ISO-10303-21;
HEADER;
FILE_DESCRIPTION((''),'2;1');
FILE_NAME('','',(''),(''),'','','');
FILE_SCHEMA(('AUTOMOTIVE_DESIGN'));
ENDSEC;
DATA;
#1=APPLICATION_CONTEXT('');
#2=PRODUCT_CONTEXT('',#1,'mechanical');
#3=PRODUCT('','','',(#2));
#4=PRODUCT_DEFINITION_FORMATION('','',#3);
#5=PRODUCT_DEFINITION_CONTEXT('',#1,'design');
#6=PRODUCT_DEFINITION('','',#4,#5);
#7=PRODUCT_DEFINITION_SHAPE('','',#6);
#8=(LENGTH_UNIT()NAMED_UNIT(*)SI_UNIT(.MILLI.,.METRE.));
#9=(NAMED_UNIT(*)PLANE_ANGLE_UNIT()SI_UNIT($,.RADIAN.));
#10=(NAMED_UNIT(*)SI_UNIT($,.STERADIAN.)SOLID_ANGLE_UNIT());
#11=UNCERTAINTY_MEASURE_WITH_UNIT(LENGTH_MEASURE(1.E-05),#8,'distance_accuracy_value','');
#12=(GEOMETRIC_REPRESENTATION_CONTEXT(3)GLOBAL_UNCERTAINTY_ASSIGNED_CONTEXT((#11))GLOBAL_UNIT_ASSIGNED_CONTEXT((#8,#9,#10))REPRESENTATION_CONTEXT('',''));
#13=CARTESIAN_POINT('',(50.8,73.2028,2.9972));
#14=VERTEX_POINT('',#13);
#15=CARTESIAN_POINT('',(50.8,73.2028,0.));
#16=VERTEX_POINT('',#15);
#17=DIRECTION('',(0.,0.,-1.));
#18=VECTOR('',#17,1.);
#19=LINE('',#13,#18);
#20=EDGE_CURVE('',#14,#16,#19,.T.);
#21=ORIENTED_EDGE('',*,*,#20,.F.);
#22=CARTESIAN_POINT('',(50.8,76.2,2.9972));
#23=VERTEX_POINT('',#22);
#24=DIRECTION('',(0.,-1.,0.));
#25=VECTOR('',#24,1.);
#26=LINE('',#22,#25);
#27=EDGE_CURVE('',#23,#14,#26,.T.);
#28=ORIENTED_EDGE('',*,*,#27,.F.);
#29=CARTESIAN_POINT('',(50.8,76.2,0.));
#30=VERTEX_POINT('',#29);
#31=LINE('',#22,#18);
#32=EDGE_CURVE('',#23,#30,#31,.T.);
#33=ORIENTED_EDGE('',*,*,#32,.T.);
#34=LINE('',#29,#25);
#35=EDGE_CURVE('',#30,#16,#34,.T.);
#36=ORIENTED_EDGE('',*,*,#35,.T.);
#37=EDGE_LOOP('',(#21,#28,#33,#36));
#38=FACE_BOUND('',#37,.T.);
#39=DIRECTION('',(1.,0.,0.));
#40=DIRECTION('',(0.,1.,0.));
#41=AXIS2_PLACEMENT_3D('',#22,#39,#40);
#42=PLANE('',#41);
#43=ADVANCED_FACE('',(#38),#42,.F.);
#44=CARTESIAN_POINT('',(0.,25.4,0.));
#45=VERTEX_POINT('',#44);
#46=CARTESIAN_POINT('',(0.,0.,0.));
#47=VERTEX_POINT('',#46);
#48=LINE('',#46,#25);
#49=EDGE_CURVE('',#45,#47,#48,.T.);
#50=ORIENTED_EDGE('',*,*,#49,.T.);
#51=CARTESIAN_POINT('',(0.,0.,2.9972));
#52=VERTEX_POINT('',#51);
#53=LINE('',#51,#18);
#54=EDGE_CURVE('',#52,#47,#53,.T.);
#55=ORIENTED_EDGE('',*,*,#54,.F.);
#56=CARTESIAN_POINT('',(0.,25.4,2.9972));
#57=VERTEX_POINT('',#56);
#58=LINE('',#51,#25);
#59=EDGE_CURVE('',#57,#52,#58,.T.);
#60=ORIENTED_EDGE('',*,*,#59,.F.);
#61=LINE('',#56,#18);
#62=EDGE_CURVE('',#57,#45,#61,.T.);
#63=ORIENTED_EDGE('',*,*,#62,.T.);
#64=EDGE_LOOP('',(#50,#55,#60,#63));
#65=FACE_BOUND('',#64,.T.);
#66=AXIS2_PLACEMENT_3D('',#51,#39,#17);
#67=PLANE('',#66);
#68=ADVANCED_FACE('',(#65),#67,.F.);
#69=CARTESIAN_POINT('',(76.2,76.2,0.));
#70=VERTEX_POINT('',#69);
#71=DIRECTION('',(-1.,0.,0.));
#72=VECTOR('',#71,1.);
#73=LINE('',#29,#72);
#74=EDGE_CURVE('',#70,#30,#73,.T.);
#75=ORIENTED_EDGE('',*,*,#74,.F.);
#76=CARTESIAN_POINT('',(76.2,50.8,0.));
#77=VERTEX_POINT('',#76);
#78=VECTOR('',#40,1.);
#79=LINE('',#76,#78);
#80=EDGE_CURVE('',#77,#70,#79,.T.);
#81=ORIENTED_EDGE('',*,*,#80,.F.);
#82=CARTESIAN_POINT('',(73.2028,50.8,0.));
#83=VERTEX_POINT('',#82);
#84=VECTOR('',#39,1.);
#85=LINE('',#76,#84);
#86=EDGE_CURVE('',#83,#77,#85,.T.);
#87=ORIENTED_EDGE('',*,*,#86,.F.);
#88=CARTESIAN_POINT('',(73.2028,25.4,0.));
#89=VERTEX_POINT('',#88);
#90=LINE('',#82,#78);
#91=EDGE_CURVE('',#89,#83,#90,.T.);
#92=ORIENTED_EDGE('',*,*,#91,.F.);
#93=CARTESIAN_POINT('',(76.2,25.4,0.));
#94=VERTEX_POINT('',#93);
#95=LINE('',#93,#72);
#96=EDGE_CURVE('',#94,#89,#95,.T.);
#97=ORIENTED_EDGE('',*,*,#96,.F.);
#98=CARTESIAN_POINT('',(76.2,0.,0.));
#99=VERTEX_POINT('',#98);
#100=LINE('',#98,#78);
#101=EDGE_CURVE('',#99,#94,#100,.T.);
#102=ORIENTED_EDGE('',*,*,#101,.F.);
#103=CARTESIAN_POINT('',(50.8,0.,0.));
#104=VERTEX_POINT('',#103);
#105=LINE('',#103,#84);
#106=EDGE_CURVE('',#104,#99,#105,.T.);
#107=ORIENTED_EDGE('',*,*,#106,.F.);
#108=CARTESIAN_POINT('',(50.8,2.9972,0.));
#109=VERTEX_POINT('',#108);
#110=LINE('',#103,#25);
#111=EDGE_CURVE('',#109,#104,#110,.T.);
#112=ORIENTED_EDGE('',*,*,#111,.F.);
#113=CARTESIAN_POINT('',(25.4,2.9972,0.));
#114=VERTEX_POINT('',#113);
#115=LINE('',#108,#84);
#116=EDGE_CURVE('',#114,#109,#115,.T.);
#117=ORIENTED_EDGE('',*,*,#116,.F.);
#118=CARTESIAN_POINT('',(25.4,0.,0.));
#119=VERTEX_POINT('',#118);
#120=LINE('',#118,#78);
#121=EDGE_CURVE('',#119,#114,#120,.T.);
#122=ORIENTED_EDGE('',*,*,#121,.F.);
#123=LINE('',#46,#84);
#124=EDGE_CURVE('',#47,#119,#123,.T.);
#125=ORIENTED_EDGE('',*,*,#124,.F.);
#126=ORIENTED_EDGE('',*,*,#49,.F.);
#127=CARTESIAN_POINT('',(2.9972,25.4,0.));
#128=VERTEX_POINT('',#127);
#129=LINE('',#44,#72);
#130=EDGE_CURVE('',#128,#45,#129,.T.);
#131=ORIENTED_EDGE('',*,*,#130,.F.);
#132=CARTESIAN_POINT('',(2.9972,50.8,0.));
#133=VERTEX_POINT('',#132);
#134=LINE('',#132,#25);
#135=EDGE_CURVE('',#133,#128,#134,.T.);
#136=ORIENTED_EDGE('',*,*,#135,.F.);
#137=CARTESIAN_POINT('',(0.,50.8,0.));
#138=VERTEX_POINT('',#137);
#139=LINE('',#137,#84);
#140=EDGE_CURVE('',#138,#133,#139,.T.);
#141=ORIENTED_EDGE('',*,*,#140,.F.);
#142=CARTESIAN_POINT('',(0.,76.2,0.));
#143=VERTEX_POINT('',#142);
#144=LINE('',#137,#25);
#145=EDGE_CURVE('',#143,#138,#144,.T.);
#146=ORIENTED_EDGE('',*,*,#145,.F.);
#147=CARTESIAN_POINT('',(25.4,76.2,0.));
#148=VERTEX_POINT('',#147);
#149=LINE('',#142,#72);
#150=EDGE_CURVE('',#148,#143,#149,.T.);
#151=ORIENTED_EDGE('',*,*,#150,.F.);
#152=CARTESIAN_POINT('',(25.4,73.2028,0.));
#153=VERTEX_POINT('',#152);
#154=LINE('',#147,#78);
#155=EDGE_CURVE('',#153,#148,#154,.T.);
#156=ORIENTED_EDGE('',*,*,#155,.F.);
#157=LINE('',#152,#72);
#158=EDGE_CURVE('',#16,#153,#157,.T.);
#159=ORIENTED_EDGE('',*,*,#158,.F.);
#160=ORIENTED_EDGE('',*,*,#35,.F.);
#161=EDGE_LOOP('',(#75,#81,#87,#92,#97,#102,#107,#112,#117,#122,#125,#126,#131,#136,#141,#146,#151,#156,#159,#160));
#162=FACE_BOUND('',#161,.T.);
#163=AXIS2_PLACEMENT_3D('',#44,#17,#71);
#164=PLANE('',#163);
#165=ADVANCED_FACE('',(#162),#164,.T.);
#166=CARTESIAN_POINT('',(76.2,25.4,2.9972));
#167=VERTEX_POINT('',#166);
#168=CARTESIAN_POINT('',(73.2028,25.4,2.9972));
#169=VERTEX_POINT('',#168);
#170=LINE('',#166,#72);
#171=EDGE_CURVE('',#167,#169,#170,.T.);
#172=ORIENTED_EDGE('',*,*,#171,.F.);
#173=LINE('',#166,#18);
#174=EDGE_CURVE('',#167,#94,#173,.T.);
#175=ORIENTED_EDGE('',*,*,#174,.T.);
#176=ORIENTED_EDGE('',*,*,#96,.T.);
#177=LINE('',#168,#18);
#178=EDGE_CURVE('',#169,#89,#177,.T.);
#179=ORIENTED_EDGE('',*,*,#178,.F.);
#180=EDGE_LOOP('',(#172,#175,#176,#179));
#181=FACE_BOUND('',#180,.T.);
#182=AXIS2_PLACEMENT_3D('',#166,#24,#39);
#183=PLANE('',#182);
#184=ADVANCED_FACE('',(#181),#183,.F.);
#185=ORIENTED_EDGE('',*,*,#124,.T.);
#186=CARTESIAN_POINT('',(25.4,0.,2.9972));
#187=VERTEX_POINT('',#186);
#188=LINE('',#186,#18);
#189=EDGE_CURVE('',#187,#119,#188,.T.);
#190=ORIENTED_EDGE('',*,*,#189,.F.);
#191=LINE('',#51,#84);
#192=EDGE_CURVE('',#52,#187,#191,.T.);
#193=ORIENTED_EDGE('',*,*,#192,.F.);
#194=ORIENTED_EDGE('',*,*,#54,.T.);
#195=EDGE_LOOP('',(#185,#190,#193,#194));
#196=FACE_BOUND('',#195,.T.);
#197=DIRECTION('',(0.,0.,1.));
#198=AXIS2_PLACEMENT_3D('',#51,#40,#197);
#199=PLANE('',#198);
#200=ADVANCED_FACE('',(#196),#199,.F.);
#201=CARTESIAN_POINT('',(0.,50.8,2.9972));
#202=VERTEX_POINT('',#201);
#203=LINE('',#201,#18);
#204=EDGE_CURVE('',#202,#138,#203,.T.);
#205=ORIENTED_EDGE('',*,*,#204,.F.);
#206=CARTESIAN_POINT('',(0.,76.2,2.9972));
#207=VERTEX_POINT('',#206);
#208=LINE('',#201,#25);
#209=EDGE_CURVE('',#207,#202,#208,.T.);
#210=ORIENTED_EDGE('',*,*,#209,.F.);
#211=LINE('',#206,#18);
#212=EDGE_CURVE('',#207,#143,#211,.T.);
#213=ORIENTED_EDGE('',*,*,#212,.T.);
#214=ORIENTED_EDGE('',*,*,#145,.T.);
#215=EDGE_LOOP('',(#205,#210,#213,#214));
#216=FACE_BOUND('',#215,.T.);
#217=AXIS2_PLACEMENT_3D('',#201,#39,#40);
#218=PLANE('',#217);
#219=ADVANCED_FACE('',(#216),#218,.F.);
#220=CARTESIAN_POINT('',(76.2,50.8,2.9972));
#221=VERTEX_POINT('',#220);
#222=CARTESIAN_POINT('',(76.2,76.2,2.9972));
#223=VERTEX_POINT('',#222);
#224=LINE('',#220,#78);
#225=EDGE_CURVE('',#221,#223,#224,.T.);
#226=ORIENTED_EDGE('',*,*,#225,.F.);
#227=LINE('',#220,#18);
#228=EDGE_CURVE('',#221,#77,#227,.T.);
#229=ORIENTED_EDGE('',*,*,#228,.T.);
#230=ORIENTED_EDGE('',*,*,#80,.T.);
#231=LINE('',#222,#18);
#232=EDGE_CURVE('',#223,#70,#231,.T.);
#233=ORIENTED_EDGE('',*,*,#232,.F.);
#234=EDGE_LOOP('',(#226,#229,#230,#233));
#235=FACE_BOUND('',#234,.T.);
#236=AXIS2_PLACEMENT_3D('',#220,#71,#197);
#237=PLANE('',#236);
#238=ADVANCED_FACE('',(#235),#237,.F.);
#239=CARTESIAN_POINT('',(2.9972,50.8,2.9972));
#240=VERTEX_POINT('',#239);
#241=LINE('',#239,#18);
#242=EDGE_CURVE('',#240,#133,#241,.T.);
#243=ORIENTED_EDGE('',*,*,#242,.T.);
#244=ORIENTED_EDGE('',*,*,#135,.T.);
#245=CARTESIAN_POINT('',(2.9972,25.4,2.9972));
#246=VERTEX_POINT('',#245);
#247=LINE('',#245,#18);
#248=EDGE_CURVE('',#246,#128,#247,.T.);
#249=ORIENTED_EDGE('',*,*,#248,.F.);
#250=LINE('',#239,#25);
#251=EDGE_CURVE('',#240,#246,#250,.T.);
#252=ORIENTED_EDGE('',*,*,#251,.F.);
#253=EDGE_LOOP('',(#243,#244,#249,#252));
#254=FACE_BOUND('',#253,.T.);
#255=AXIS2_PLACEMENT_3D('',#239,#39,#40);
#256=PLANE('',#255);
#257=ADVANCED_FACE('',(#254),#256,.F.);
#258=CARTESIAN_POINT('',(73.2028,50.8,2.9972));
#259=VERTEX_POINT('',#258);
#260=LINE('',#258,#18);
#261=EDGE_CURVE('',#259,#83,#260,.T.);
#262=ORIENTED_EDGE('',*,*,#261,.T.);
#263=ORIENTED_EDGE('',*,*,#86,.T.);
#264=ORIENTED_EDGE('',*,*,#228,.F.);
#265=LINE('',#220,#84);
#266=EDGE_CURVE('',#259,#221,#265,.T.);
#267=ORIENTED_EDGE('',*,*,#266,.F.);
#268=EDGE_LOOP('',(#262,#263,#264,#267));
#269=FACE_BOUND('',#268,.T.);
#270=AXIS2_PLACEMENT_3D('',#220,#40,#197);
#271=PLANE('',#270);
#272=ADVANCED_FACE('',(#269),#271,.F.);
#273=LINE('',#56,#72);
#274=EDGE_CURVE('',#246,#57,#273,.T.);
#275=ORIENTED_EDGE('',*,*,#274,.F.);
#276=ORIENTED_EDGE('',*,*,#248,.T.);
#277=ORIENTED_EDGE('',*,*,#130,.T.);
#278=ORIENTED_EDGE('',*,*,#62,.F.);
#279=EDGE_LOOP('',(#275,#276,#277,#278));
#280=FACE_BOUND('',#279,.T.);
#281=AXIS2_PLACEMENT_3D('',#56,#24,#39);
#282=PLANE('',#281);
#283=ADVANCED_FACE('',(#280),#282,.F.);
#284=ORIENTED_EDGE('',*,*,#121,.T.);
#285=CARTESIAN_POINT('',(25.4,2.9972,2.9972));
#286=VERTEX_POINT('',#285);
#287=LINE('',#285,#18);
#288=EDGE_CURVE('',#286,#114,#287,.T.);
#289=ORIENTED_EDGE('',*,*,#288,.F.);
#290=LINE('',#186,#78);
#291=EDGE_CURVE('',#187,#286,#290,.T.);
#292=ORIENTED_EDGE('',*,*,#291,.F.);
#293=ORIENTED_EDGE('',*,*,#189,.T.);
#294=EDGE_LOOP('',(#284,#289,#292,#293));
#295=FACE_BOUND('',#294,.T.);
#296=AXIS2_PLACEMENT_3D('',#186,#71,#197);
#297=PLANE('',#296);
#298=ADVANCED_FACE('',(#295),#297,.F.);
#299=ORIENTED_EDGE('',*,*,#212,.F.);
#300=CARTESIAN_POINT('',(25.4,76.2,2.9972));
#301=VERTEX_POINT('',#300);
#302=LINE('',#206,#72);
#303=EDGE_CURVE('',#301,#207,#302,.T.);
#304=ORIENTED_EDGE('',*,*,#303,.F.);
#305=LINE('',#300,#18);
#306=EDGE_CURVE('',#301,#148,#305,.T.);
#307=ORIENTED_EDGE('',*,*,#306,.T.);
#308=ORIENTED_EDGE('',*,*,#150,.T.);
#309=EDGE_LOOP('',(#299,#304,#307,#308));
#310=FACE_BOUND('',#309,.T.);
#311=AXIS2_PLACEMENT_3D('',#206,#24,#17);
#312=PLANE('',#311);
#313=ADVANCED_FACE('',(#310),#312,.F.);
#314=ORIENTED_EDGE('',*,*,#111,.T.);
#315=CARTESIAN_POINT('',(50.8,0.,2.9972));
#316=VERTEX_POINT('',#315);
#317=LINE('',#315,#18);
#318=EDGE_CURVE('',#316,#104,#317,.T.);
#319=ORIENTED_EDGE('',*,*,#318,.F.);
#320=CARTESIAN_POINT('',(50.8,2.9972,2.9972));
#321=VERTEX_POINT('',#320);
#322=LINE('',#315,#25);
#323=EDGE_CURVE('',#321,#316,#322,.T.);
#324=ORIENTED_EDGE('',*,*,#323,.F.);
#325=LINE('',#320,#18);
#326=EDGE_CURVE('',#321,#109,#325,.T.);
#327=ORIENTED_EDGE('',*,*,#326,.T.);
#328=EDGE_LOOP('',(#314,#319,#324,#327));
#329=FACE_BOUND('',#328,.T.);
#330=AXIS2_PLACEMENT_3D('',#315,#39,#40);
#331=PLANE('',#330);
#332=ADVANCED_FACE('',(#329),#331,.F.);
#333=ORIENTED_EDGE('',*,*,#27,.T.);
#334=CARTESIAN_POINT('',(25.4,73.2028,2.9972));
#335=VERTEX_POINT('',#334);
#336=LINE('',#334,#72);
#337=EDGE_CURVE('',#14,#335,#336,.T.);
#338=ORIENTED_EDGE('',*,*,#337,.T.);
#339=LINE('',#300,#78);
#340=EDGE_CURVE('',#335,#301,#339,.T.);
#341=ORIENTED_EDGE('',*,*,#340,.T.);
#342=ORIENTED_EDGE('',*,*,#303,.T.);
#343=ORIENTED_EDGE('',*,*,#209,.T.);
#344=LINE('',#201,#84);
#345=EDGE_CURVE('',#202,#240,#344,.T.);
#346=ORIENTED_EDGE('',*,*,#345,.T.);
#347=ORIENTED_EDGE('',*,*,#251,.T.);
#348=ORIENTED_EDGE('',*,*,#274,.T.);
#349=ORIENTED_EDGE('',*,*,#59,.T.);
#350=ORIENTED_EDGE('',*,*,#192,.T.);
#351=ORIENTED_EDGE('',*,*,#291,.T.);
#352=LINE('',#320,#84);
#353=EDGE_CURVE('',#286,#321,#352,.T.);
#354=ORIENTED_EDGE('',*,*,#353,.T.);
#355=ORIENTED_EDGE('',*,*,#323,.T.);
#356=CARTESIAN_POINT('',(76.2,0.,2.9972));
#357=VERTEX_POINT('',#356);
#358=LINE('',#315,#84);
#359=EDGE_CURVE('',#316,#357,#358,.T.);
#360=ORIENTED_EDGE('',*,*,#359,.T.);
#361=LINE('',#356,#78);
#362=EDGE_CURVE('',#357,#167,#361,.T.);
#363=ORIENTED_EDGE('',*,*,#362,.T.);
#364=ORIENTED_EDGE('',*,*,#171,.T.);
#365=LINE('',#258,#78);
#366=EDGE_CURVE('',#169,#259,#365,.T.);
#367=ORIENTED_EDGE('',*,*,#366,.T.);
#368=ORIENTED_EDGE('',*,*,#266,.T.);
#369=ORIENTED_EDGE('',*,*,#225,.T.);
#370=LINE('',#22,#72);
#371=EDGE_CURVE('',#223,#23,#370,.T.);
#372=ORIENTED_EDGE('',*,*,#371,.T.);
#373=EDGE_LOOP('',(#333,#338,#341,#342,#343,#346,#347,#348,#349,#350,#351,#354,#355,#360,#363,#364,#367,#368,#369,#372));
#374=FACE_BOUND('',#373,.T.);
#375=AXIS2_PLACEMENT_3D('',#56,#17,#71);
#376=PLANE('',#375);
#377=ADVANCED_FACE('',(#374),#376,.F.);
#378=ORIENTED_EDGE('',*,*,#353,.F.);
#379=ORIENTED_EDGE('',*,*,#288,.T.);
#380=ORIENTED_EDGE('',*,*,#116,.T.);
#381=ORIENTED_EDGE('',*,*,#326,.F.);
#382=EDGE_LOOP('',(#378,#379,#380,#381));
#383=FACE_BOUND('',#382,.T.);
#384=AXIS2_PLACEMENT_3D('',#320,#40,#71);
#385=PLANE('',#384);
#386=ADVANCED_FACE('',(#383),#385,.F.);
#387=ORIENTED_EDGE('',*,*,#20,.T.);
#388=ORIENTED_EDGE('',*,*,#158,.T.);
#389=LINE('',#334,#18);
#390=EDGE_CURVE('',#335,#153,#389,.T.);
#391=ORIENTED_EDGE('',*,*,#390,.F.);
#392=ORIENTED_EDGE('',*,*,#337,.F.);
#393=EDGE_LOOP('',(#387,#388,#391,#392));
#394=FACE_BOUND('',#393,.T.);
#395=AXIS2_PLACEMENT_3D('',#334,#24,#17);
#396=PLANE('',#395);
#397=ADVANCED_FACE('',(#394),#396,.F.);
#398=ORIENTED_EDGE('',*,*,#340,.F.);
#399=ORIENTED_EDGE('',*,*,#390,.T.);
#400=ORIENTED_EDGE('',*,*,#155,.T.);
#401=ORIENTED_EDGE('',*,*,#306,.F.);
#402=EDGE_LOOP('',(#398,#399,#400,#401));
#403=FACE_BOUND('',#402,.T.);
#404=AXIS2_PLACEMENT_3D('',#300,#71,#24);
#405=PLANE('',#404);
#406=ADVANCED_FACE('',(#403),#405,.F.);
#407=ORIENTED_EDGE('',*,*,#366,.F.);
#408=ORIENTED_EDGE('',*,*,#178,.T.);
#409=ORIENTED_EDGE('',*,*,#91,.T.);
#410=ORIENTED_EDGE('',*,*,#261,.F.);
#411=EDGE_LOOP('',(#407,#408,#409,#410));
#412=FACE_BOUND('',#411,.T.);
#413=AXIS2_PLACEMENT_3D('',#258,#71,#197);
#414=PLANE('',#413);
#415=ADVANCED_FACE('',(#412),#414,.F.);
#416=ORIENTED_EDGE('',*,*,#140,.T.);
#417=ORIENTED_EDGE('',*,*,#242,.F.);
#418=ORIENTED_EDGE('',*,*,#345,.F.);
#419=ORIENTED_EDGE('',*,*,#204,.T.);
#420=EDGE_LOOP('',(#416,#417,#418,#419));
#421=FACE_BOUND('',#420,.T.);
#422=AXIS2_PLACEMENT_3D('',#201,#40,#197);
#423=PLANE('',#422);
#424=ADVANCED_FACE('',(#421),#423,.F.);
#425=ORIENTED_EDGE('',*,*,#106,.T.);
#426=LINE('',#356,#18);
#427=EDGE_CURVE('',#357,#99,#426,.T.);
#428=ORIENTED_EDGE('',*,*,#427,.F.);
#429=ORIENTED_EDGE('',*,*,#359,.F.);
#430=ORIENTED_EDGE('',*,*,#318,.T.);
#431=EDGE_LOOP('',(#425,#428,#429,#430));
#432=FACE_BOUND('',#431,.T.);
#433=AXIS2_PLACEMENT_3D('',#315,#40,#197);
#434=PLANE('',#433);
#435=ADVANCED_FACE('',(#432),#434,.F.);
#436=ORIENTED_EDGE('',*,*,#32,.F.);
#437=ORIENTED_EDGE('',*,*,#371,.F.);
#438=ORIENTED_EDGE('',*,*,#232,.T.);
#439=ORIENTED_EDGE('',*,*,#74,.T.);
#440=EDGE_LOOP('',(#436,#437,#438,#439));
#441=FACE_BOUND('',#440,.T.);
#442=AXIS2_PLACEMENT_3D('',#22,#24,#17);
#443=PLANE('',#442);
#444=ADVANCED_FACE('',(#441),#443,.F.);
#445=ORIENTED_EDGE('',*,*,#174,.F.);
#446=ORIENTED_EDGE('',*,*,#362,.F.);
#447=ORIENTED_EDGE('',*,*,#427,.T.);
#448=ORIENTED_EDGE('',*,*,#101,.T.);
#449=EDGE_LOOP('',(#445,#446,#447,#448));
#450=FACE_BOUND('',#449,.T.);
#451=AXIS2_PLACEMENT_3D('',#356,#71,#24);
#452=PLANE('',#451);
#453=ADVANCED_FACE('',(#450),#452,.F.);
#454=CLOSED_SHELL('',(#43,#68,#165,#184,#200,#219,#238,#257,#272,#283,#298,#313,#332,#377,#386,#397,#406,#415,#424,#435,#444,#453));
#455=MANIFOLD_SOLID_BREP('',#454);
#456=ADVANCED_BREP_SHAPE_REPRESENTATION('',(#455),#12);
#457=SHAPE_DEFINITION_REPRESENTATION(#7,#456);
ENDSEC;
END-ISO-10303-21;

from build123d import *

# Parameters (mm, degrees)
PLATE_DEPTH = 2.9972


with BuildPart() as part:
    # bottom outline → plate (new body)
    with BuildSketch(Plane.XY):
        Polygon((0, 50.8), (0, 76.2), (25.4, 76.2), (25.4, 73.2028), (50.8, 73.2028), (50.8, 76.2), (76.2, 76.2), (76.2, 50.8), (73.2028, 50.8), (73.2028, 25.4), (76.2, 25.4), (76.2, 0), (50.8, 0), (50.8, 2.9972), (25.4, 2.9972), (25.4, 0), (0, 0), (0, 25.4), (2.9972, 25.4), (2.9972, 50.8), align=None)
    extrude(amount=PLATE_DEPTH)


solid = part.part
